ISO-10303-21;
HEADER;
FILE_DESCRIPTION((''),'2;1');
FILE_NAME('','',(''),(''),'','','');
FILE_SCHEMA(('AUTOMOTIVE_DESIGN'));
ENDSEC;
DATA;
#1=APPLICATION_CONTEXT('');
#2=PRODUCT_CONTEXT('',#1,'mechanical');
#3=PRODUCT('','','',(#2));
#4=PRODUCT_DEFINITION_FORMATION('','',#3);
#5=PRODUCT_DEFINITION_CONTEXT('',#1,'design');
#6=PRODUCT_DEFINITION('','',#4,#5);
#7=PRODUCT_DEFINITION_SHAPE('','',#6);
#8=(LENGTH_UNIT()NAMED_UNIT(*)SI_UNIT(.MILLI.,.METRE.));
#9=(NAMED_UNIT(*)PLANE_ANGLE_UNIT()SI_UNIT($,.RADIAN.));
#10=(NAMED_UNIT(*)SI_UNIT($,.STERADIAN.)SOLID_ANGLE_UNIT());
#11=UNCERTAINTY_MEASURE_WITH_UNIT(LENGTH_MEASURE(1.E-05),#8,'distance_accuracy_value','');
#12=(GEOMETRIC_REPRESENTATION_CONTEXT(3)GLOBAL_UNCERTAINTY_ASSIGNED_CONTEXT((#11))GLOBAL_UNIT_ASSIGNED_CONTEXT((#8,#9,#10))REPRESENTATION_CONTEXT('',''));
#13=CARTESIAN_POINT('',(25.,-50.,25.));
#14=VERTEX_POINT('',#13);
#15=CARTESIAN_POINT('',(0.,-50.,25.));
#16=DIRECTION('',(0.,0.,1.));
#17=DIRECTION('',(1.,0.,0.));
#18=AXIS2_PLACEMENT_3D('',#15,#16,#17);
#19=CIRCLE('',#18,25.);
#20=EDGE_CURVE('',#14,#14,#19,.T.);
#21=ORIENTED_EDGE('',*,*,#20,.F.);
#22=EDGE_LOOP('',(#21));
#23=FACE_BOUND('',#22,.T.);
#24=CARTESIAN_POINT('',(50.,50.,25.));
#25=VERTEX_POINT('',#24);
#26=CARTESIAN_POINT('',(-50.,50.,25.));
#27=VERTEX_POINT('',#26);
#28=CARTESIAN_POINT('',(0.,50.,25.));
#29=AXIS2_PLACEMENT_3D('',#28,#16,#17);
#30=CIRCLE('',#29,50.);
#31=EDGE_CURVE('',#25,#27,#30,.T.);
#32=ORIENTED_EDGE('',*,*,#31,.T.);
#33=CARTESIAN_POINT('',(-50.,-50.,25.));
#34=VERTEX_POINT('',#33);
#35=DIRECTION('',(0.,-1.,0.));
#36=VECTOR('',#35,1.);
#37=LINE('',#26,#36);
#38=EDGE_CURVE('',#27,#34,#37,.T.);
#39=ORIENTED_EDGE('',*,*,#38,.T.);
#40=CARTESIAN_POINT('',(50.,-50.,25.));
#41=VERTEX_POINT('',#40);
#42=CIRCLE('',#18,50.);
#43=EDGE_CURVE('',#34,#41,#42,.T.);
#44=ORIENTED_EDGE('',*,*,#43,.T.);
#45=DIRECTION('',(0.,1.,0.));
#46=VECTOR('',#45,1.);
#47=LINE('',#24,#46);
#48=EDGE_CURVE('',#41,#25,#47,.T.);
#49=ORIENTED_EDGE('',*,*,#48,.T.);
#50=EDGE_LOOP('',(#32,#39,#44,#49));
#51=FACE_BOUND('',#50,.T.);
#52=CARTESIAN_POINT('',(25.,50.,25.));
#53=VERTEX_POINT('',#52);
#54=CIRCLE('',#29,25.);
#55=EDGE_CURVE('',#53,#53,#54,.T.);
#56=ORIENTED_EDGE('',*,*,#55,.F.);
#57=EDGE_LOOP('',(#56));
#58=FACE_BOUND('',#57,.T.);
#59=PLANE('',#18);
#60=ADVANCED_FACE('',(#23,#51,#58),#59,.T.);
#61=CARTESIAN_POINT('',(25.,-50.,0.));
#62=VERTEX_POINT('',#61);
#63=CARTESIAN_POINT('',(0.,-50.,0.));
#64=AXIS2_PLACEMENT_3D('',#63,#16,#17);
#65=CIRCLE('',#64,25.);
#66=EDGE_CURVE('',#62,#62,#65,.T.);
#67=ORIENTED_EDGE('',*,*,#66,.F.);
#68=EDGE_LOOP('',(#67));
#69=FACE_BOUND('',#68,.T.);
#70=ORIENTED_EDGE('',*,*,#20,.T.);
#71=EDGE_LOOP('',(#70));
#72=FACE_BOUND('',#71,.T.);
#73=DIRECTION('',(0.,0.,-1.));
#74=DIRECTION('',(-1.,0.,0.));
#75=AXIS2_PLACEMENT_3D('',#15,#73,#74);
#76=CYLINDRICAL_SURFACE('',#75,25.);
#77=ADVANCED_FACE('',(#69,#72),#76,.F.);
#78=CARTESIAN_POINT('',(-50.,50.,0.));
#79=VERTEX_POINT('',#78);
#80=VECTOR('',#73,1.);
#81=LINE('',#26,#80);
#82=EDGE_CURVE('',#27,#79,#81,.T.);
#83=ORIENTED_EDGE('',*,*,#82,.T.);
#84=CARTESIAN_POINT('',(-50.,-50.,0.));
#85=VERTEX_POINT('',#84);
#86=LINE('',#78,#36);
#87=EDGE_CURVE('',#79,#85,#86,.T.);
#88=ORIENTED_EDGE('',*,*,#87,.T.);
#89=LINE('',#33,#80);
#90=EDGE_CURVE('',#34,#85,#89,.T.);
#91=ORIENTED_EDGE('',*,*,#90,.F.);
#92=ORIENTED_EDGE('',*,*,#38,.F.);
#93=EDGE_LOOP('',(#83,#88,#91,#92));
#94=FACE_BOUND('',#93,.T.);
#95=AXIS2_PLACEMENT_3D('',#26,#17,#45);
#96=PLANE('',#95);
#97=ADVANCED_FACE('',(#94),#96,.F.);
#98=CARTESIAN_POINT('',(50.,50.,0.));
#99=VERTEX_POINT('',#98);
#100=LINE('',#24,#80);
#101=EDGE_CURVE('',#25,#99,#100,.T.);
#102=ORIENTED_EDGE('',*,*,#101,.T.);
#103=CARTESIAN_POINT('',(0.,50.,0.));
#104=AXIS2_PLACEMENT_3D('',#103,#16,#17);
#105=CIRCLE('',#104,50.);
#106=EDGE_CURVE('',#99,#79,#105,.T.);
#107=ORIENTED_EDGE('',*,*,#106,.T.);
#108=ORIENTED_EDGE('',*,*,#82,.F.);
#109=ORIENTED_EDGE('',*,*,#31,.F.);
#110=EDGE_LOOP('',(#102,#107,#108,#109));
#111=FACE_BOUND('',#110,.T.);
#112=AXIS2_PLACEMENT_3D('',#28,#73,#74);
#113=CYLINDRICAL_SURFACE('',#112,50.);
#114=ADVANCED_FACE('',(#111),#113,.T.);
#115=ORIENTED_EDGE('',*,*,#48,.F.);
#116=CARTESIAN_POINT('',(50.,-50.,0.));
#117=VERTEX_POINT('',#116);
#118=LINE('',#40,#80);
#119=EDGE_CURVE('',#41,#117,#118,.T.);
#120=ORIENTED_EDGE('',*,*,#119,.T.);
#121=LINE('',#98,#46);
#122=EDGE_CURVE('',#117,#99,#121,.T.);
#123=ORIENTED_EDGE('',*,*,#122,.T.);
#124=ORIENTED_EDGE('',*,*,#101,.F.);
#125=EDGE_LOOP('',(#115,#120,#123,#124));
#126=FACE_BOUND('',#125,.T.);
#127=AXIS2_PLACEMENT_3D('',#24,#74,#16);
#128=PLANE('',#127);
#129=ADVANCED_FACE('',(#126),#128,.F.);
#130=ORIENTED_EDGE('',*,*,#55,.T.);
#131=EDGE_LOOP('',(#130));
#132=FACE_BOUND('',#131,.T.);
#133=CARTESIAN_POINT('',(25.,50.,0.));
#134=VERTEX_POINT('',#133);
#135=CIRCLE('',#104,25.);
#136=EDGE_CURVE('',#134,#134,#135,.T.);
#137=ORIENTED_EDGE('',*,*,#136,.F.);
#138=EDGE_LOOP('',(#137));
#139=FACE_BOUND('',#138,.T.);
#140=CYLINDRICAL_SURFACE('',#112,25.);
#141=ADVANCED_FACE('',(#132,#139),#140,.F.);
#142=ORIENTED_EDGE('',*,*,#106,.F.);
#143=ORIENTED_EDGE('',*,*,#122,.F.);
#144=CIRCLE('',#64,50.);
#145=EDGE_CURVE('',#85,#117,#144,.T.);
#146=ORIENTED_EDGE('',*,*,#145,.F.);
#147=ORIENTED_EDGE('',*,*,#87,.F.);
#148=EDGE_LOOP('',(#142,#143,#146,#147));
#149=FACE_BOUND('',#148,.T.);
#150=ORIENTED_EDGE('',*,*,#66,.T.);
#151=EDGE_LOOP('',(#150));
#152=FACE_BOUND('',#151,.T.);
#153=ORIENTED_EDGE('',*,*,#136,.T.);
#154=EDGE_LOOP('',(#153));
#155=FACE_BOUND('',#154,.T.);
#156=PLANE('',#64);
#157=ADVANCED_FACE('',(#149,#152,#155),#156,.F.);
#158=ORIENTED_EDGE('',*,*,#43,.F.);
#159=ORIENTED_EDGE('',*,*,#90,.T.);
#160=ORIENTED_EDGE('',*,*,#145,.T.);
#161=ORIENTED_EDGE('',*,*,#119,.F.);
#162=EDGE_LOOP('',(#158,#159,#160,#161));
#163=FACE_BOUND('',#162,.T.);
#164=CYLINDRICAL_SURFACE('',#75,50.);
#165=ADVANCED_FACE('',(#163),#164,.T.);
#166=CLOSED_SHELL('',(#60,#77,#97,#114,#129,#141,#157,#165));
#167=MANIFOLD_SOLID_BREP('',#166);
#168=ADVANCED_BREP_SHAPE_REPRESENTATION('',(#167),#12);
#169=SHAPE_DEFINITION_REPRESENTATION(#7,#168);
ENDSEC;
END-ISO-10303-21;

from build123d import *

# Parameters (mm, degrees)
SKETCH1_R           = 25
BOSS_EXTRUDE1_DEPTH = 25


with BuildPart() as part:
    # Sketch1 → Boss-Extrude1 (new body)
    with BuildSketch(Plane.XY):
        with BuildLine():
            Line((-50, 50), (-50, -50))
            ThreePointArc((-50, -50), (0, -100), (50, -50))
            Line((50, -50), (50, 50))
            ThreePointArc((50, 50), (0, 100), (-50, 50))
        make_face()
        with Locations((0, 50)):
            Circle(SKETCH1_R, mode=Mode.SUBTRACT)
        with Locations((0, -50)):
            Circle(SKETCH1_R, mode=Mode.SUBTRACT)
    extrude(amount=BOSS_EXTRUDE1_DEPTH)


solid = part.part
